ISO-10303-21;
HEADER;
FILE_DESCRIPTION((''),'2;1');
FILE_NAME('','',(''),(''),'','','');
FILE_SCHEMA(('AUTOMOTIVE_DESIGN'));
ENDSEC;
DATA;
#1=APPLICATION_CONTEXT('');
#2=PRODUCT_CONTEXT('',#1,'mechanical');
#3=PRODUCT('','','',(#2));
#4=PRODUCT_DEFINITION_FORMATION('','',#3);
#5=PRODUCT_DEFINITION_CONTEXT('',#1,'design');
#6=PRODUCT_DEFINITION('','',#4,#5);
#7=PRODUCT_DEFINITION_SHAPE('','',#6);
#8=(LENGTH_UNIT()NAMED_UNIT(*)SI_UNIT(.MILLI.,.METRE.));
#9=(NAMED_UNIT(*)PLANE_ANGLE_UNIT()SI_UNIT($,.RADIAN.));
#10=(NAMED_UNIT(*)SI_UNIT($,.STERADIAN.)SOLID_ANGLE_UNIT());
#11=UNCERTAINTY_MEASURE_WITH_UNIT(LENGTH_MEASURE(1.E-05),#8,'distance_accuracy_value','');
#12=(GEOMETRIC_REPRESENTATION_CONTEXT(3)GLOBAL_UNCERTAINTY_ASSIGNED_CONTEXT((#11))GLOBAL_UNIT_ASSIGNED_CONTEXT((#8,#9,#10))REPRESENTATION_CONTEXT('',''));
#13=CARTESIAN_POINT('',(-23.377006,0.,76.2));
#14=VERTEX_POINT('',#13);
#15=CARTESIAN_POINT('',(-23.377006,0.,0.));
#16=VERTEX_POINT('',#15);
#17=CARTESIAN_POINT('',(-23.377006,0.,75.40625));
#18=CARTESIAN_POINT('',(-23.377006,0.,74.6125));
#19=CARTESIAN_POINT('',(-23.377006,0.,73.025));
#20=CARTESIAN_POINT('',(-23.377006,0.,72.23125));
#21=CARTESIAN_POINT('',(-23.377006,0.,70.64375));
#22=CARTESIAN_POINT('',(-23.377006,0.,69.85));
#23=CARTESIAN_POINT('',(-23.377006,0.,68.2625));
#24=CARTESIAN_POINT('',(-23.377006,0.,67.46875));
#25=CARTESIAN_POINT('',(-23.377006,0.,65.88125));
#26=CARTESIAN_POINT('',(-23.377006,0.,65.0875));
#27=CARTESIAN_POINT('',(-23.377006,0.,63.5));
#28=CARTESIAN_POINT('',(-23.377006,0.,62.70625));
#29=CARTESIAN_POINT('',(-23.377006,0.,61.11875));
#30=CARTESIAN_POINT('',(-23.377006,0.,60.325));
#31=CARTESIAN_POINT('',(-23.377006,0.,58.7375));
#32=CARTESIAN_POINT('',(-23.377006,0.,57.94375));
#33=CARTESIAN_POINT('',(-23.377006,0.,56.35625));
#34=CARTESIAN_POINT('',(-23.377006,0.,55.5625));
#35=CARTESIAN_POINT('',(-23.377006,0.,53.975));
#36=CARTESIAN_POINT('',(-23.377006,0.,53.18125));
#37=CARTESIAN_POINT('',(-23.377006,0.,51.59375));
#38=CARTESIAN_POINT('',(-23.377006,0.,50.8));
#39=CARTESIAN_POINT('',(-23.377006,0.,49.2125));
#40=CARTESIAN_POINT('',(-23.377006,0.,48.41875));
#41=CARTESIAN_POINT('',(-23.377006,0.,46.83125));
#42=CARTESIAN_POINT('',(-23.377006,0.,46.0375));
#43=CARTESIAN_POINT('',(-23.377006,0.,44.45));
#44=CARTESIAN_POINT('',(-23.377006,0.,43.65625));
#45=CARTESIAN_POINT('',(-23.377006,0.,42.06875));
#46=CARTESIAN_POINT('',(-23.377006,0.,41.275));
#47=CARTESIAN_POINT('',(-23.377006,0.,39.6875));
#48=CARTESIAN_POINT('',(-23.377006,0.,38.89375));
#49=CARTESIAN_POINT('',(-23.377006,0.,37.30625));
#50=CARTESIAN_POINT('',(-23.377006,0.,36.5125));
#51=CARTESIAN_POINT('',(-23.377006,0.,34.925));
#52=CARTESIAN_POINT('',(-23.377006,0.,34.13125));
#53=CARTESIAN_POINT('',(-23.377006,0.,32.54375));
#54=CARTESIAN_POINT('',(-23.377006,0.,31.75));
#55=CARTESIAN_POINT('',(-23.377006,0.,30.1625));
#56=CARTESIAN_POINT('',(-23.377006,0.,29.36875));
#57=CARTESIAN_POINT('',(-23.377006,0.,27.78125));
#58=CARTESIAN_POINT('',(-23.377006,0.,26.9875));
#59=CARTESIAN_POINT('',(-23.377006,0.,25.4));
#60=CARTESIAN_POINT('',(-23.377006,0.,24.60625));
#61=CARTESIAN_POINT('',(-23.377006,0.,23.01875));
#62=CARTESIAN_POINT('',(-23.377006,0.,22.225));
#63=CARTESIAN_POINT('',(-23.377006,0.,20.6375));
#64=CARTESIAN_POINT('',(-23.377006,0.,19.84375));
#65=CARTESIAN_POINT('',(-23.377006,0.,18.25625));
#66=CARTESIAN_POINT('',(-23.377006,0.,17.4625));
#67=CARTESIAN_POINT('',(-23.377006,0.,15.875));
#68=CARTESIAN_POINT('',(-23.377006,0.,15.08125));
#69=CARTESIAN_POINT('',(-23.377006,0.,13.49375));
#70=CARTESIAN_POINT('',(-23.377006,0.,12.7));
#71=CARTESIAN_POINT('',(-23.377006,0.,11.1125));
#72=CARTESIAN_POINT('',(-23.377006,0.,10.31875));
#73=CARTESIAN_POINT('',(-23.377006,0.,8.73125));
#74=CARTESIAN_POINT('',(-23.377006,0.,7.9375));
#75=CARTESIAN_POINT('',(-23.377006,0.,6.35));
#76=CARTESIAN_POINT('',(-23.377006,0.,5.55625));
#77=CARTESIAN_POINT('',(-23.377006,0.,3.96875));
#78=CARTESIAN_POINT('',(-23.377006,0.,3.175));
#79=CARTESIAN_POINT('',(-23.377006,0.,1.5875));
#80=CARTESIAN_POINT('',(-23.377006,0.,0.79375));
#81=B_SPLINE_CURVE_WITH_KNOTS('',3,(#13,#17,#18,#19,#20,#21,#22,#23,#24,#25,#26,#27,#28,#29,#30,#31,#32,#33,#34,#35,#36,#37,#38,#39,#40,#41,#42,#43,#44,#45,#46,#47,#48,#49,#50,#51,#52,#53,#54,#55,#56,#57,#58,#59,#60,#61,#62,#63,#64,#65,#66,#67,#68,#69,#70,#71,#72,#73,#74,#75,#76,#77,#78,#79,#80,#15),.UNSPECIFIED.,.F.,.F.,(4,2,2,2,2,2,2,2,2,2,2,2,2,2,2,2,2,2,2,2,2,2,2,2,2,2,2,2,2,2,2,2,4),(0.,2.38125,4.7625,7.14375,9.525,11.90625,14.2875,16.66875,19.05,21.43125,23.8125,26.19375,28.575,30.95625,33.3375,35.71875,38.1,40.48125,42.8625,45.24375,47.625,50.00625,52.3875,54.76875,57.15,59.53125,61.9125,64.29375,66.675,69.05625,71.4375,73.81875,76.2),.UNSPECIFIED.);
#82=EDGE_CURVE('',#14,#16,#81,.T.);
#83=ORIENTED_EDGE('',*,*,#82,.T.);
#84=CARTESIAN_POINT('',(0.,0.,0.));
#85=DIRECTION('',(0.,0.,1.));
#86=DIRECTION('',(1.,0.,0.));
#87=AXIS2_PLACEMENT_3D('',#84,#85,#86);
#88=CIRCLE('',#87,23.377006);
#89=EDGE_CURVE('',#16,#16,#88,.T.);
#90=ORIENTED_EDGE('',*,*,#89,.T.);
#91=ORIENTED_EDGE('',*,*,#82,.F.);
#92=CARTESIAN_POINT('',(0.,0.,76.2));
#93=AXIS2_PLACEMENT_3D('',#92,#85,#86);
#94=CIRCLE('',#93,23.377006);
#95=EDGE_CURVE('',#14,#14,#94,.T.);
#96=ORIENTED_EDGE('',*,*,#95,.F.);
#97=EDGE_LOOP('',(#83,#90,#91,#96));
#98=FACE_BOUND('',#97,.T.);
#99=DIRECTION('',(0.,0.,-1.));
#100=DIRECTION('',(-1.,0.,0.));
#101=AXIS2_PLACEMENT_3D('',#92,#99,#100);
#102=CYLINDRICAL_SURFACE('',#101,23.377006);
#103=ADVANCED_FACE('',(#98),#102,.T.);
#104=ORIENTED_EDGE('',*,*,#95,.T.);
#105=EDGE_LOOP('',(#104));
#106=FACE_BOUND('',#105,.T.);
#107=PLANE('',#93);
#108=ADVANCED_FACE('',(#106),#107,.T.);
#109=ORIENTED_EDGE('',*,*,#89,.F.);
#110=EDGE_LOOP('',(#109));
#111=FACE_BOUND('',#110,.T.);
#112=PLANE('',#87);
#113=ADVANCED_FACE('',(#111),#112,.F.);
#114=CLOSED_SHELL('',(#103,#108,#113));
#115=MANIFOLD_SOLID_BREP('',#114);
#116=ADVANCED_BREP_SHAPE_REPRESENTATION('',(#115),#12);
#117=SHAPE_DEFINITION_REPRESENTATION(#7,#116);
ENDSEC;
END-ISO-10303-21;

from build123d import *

# Parameters (mm, degrees)
SKETCH1_R      = 23.377006446
EXTRUDE1_DEPTH = 76.2


with BuildPart() as part:
    # Sketch1 → Extrude1 (new body)
    with BuildSketch(Plane.XY):
        with Locations(Location((0, 0, 0), (0, 0, 180))):
            Circle(SKETCH1_R)
    extrude(amount=EXTRUDE1_DEPTH)


solid = part.part
